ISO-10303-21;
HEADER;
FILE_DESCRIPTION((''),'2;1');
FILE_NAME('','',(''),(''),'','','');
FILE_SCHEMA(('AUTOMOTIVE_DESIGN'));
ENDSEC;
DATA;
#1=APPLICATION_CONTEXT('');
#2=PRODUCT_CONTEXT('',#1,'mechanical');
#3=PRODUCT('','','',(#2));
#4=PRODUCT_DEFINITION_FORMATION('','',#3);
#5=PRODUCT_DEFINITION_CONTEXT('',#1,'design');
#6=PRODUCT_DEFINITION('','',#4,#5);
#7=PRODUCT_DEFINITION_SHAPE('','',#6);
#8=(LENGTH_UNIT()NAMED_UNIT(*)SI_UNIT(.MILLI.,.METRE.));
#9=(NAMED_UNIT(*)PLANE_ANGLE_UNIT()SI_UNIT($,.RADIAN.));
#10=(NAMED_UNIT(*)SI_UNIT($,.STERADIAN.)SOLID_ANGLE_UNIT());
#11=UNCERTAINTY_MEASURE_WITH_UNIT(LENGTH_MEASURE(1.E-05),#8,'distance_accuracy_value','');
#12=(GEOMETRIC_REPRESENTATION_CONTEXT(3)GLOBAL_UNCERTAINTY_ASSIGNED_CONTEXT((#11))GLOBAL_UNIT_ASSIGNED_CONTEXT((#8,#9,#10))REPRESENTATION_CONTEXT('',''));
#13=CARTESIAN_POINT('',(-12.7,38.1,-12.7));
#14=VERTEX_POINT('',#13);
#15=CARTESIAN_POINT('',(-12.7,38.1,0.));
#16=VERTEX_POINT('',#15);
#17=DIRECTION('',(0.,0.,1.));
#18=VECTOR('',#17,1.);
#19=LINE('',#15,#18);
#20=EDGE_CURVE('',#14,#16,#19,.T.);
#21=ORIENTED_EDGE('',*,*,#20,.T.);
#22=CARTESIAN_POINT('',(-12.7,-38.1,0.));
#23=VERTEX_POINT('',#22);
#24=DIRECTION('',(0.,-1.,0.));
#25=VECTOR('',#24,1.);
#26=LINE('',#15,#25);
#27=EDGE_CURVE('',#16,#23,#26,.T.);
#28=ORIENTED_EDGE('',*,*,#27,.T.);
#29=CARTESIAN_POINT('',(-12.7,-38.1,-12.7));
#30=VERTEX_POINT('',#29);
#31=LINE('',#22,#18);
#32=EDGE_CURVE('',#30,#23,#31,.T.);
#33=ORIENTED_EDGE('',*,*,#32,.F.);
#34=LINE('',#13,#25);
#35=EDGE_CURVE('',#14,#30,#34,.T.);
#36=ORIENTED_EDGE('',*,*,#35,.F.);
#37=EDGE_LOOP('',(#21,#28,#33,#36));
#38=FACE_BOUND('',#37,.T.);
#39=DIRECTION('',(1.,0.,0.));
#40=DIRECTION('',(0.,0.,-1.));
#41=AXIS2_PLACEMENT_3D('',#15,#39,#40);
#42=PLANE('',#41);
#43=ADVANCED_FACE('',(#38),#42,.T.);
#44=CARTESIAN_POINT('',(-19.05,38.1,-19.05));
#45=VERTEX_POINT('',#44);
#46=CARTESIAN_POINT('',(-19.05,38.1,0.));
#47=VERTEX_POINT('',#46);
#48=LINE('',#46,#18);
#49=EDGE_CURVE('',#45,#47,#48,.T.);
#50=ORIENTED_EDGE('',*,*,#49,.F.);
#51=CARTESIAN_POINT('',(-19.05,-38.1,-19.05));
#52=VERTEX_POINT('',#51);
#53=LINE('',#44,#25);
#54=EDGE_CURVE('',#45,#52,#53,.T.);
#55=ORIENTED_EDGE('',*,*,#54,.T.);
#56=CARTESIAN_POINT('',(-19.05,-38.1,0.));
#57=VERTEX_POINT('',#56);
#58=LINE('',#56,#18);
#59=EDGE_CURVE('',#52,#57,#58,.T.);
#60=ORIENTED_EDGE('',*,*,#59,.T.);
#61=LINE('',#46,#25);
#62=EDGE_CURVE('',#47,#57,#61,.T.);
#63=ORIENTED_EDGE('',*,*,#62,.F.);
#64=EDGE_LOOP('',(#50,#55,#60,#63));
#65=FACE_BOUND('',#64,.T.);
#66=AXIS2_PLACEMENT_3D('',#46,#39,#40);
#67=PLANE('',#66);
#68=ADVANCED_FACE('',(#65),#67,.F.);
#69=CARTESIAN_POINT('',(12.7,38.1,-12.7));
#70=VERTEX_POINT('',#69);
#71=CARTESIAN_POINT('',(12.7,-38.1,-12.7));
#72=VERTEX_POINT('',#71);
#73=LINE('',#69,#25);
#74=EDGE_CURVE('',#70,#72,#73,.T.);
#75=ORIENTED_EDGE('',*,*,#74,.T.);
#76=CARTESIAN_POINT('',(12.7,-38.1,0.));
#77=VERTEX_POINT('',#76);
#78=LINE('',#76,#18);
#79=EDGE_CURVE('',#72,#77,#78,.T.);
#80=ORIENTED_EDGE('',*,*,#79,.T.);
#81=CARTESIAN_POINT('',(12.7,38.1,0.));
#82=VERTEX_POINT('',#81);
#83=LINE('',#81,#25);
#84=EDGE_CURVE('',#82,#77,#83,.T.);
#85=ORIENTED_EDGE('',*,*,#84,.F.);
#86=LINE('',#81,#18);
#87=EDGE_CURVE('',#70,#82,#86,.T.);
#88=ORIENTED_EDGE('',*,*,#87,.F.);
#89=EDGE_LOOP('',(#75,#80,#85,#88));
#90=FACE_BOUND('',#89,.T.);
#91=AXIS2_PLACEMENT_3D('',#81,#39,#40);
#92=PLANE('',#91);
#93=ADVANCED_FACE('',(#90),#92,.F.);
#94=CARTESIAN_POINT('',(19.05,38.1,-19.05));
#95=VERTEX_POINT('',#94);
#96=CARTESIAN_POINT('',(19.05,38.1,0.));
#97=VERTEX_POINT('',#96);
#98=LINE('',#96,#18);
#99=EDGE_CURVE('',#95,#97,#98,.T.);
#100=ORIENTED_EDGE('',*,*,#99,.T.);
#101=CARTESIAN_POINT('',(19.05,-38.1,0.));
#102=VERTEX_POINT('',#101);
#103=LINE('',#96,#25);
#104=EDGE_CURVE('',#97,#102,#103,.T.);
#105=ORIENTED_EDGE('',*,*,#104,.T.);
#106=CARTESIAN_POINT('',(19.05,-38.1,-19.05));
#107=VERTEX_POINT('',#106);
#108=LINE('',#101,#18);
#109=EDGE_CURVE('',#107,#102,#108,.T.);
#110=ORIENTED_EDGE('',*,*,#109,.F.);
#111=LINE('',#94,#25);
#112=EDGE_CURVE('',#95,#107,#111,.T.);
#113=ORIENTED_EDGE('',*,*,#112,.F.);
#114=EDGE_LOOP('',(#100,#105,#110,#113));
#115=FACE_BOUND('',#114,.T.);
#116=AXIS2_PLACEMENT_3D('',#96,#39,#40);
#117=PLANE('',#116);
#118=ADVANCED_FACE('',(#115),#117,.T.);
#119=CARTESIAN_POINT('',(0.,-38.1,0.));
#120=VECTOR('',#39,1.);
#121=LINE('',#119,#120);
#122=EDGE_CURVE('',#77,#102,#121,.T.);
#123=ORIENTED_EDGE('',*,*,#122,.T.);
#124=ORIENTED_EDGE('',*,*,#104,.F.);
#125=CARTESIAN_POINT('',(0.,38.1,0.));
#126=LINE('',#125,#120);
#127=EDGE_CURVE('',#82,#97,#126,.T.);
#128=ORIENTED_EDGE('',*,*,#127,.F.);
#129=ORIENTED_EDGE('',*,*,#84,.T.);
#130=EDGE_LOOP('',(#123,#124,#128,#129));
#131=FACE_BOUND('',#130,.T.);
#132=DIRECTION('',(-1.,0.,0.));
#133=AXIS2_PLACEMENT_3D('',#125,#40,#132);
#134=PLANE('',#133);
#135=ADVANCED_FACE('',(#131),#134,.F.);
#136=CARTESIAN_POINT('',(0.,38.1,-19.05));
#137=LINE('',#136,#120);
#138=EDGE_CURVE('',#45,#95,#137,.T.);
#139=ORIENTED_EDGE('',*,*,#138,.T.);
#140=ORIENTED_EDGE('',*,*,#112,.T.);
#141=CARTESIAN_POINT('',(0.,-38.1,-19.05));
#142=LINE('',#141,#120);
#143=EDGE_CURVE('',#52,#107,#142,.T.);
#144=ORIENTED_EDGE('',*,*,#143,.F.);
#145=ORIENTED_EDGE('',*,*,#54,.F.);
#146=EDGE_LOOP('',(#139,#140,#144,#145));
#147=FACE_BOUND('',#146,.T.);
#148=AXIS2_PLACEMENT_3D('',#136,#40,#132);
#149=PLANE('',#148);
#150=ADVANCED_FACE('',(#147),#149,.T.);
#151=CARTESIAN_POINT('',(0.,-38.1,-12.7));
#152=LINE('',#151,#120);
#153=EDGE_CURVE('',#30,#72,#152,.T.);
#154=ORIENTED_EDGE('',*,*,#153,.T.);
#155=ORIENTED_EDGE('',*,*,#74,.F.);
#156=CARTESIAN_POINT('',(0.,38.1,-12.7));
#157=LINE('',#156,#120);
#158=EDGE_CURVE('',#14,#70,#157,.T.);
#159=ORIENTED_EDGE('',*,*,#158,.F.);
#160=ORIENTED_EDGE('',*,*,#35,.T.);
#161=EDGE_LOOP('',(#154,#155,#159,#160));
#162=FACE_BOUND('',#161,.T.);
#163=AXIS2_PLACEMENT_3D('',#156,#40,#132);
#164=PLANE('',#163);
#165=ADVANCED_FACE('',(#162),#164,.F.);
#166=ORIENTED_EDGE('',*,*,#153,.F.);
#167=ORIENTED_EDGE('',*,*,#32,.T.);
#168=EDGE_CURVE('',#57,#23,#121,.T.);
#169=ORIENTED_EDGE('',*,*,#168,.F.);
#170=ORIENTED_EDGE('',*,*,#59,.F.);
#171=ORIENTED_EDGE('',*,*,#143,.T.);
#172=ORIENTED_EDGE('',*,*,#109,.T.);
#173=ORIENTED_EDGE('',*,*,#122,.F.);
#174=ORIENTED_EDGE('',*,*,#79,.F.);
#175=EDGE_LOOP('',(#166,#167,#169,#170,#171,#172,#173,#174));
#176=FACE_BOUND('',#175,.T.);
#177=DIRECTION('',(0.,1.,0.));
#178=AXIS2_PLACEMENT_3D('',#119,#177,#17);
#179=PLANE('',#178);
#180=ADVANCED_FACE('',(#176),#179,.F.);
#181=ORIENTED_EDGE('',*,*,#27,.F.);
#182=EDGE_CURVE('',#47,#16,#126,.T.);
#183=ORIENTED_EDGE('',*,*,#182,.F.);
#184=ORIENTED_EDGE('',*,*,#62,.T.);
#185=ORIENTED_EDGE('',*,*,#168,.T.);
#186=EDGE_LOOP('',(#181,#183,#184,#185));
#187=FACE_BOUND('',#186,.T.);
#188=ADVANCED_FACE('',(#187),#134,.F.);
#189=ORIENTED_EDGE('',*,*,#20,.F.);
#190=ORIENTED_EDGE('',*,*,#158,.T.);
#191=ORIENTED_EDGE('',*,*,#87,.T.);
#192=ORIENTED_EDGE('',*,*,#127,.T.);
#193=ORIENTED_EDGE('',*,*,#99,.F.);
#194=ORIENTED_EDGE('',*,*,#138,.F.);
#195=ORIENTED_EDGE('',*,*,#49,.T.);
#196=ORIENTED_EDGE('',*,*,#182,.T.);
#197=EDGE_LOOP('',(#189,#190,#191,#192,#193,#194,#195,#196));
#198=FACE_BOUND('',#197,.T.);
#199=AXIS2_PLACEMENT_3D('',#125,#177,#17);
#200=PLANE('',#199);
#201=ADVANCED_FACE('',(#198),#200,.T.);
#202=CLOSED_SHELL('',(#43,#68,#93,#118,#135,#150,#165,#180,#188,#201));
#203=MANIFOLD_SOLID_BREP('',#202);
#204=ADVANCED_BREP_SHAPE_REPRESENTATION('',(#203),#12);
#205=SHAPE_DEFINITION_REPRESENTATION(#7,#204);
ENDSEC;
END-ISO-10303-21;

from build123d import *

# Parameters (mm, degrees)
BOSS_EXTRUDE1_DEPTH = 38.1


with BuildPart() as part:
    # Sketch3 → Boss-Extrude1 (new body, symmetric)
    with BuildSketch(Plane(origin=(0, 0, 0), x_dir=(1, 0, 0), z_dir=(0, 1, 0))):
        Polygon((19.05, 19.05), (-19.05, 19.05), (-19.05, 0), (-12.7, 0), (-12.7, 12.7), (12.7, 12.7), (12.7, 0), (19.05, 0), align=None)
    extrude(amount=BOSS_EXTRUDE1_DEPTH, both=True)


solid = part.part
